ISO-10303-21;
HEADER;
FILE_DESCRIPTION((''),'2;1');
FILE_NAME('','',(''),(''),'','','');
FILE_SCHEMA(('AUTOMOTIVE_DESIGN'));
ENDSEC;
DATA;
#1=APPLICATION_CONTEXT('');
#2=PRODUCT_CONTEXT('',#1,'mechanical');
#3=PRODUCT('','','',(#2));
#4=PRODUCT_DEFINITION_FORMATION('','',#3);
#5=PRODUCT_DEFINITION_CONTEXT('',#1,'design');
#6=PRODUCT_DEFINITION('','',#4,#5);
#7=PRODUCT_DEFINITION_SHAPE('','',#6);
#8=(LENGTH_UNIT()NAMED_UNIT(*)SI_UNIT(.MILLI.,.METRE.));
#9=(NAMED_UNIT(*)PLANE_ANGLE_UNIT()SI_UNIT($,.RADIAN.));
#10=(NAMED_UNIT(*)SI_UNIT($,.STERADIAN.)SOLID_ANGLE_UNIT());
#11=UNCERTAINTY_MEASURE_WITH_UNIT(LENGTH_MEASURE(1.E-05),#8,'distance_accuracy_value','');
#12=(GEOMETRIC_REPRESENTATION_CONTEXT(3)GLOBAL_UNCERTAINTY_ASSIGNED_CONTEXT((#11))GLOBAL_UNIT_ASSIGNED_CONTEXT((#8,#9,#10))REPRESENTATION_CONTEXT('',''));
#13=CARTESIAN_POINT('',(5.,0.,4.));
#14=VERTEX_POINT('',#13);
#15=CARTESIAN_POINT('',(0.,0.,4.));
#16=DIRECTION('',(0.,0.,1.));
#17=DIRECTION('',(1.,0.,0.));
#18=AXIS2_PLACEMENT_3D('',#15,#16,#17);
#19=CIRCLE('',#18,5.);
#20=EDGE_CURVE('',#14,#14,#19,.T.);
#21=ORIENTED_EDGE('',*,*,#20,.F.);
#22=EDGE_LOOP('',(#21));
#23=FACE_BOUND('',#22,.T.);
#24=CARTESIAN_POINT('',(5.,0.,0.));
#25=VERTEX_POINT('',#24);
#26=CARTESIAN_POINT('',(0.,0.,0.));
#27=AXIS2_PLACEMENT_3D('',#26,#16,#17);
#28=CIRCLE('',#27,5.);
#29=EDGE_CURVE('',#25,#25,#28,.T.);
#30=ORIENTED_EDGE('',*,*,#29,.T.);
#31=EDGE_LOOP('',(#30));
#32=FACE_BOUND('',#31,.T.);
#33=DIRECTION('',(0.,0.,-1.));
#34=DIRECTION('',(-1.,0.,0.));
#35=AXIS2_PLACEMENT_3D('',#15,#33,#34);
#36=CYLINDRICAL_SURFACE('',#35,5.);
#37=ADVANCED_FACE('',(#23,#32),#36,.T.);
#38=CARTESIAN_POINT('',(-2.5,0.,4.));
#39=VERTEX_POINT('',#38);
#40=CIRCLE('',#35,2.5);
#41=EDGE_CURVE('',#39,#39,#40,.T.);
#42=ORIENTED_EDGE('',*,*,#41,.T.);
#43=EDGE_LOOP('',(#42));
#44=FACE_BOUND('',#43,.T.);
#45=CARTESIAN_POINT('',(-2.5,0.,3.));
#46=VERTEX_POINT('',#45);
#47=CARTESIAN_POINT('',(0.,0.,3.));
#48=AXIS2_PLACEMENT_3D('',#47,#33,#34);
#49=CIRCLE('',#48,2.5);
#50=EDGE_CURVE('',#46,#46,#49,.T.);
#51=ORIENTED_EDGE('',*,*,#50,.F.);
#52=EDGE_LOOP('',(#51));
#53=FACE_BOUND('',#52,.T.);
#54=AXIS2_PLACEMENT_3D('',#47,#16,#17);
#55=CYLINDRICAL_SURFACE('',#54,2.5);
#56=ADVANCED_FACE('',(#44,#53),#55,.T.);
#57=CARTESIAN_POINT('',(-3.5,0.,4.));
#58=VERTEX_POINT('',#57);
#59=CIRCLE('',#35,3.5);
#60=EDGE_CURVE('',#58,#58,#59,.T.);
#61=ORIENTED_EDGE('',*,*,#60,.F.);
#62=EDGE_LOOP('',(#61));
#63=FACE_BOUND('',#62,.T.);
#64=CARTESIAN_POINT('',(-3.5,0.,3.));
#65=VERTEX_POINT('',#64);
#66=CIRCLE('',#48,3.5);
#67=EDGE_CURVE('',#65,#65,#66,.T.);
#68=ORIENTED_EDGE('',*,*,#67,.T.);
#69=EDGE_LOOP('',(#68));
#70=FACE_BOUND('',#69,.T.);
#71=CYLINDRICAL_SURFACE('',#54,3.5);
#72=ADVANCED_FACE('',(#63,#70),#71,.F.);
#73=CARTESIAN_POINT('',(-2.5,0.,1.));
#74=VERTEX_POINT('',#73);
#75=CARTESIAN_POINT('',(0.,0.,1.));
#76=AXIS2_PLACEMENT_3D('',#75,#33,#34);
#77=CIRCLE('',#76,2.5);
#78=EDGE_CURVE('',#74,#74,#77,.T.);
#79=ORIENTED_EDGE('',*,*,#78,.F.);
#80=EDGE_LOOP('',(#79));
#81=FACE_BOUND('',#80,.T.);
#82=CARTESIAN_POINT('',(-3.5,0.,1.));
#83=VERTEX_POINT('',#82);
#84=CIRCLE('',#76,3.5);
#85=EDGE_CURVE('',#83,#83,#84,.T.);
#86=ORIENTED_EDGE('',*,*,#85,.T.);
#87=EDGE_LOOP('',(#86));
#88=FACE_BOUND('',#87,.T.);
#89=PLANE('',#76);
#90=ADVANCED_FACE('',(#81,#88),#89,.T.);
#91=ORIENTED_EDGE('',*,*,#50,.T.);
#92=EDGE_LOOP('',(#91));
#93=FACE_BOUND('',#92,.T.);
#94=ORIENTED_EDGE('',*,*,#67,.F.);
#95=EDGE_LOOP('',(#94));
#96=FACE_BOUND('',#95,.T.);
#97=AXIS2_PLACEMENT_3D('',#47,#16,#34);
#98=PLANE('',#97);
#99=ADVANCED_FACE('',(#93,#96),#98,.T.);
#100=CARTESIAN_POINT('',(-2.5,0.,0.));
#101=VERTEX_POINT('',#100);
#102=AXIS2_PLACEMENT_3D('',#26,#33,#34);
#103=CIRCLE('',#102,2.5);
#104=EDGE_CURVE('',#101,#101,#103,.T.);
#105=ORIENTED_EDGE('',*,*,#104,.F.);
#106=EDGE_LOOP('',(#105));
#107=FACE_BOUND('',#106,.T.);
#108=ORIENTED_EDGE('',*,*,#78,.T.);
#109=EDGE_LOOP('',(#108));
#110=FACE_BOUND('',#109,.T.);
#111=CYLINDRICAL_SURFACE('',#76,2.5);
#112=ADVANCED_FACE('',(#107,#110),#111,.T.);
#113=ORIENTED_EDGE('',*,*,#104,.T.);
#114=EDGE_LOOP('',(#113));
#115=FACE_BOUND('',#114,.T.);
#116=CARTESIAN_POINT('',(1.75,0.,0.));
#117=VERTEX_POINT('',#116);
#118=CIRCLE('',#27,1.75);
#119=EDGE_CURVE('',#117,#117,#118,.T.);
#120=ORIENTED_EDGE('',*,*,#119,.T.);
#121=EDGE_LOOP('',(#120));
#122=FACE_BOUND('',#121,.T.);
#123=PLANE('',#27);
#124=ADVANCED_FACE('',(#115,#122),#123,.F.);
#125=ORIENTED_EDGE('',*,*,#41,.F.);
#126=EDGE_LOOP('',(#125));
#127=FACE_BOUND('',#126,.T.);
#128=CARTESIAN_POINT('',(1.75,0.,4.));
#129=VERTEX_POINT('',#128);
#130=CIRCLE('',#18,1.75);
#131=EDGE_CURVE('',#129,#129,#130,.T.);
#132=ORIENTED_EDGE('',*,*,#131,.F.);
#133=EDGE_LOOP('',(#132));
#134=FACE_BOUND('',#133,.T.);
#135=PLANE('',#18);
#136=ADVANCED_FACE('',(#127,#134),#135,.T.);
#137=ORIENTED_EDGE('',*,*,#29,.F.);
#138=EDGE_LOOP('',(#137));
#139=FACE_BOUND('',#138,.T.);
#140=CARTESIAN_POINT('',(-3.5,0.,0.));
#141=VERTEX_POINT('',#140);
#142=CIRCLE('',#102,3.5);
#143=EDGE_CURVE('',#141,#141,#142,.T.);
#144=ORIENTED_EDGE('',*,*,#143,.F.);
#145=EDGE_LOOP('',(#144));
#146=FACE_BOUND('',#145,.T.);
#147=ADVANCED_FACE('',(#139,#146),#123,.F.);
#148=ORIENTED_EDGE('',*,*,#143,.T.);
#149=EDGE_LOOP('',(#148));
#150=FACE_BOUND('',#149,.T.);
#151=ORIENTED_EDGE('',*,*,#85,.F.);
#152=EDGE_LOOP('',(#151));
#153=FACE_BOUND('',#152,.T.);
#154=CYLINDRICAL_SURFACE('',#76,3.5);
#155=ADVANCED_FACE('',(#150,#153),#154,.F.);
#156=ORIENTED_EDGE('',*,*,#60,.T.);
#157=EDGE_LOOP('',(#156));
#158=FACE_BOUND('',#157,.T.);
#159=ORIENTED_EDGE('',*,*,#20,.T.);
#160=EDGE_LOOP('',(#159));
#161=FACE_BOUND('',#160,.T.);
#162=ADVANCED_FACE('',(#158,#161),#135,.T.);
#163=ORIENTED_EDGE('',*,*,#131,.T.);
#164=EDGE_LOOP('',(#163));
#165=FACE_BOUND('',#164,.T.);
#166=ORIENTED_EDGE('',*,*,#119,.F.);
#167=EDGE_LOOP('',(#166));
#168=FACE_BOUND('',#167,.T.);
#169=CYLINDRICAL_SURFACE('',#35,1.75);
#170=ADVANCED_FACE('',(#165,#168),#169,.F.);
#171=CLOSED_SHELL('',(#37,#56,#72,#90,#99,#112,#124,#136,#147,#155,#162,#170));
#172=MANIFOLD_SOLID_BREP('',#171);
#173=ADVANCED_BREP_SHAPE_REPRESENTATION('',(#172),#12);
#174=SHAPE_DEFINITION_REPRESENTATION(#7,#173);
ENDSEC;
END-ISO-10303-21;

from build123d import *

# Parameters (mm, degrees)
SKETCH_1_R          = 5
SKETCH_1_R_2        = 1.75
EXTRUDE_1_DEPTH     = 4
SKETCH_2_R          = 3.5
SKETCH_2_R_2        = 2.5
CUT_EXTRUDE_1_DEPTH = 1


with BuildPart() as part:
    # Эскиз1 → Бобышка-Вытянуть1 (new body)
    with BuildSketch(Plane.XY):
        Circle(SKETCH_1_R)
        Circle(SKETCH_1_R_2, mode=Mode.SUBTRACT)
    extrude(amount=EXTRUDE_1_DEPTH)

    # Эскиз2 → Вырез-Вытянуть1 (cut)
    with BuildSketch(Plane(origin=(0, 0, 0), x_dir=(-1, 0, 0), z_dir=(0, 0, -1))):
        Circle(SKETCH_2_R)
        Circle(SKETCH_2_R_2, mode=Mode.SUBTRACT)
    cut_extrude_1 = extrude(amount=-CUT_EXTRUDE_1_DEPTH, mode=Mode.SUBTRACT)

    # Зеркальное отражение1: Вырез-Вытянуть1 across plane
    add(cut_extrude_1.mirror(Plane(origin=(0, 0, 2), x_dir=(1, 0, 0), z_dir=(0, 0, -1))), mode=Mode.SUBTRACT)


solid = part.part
